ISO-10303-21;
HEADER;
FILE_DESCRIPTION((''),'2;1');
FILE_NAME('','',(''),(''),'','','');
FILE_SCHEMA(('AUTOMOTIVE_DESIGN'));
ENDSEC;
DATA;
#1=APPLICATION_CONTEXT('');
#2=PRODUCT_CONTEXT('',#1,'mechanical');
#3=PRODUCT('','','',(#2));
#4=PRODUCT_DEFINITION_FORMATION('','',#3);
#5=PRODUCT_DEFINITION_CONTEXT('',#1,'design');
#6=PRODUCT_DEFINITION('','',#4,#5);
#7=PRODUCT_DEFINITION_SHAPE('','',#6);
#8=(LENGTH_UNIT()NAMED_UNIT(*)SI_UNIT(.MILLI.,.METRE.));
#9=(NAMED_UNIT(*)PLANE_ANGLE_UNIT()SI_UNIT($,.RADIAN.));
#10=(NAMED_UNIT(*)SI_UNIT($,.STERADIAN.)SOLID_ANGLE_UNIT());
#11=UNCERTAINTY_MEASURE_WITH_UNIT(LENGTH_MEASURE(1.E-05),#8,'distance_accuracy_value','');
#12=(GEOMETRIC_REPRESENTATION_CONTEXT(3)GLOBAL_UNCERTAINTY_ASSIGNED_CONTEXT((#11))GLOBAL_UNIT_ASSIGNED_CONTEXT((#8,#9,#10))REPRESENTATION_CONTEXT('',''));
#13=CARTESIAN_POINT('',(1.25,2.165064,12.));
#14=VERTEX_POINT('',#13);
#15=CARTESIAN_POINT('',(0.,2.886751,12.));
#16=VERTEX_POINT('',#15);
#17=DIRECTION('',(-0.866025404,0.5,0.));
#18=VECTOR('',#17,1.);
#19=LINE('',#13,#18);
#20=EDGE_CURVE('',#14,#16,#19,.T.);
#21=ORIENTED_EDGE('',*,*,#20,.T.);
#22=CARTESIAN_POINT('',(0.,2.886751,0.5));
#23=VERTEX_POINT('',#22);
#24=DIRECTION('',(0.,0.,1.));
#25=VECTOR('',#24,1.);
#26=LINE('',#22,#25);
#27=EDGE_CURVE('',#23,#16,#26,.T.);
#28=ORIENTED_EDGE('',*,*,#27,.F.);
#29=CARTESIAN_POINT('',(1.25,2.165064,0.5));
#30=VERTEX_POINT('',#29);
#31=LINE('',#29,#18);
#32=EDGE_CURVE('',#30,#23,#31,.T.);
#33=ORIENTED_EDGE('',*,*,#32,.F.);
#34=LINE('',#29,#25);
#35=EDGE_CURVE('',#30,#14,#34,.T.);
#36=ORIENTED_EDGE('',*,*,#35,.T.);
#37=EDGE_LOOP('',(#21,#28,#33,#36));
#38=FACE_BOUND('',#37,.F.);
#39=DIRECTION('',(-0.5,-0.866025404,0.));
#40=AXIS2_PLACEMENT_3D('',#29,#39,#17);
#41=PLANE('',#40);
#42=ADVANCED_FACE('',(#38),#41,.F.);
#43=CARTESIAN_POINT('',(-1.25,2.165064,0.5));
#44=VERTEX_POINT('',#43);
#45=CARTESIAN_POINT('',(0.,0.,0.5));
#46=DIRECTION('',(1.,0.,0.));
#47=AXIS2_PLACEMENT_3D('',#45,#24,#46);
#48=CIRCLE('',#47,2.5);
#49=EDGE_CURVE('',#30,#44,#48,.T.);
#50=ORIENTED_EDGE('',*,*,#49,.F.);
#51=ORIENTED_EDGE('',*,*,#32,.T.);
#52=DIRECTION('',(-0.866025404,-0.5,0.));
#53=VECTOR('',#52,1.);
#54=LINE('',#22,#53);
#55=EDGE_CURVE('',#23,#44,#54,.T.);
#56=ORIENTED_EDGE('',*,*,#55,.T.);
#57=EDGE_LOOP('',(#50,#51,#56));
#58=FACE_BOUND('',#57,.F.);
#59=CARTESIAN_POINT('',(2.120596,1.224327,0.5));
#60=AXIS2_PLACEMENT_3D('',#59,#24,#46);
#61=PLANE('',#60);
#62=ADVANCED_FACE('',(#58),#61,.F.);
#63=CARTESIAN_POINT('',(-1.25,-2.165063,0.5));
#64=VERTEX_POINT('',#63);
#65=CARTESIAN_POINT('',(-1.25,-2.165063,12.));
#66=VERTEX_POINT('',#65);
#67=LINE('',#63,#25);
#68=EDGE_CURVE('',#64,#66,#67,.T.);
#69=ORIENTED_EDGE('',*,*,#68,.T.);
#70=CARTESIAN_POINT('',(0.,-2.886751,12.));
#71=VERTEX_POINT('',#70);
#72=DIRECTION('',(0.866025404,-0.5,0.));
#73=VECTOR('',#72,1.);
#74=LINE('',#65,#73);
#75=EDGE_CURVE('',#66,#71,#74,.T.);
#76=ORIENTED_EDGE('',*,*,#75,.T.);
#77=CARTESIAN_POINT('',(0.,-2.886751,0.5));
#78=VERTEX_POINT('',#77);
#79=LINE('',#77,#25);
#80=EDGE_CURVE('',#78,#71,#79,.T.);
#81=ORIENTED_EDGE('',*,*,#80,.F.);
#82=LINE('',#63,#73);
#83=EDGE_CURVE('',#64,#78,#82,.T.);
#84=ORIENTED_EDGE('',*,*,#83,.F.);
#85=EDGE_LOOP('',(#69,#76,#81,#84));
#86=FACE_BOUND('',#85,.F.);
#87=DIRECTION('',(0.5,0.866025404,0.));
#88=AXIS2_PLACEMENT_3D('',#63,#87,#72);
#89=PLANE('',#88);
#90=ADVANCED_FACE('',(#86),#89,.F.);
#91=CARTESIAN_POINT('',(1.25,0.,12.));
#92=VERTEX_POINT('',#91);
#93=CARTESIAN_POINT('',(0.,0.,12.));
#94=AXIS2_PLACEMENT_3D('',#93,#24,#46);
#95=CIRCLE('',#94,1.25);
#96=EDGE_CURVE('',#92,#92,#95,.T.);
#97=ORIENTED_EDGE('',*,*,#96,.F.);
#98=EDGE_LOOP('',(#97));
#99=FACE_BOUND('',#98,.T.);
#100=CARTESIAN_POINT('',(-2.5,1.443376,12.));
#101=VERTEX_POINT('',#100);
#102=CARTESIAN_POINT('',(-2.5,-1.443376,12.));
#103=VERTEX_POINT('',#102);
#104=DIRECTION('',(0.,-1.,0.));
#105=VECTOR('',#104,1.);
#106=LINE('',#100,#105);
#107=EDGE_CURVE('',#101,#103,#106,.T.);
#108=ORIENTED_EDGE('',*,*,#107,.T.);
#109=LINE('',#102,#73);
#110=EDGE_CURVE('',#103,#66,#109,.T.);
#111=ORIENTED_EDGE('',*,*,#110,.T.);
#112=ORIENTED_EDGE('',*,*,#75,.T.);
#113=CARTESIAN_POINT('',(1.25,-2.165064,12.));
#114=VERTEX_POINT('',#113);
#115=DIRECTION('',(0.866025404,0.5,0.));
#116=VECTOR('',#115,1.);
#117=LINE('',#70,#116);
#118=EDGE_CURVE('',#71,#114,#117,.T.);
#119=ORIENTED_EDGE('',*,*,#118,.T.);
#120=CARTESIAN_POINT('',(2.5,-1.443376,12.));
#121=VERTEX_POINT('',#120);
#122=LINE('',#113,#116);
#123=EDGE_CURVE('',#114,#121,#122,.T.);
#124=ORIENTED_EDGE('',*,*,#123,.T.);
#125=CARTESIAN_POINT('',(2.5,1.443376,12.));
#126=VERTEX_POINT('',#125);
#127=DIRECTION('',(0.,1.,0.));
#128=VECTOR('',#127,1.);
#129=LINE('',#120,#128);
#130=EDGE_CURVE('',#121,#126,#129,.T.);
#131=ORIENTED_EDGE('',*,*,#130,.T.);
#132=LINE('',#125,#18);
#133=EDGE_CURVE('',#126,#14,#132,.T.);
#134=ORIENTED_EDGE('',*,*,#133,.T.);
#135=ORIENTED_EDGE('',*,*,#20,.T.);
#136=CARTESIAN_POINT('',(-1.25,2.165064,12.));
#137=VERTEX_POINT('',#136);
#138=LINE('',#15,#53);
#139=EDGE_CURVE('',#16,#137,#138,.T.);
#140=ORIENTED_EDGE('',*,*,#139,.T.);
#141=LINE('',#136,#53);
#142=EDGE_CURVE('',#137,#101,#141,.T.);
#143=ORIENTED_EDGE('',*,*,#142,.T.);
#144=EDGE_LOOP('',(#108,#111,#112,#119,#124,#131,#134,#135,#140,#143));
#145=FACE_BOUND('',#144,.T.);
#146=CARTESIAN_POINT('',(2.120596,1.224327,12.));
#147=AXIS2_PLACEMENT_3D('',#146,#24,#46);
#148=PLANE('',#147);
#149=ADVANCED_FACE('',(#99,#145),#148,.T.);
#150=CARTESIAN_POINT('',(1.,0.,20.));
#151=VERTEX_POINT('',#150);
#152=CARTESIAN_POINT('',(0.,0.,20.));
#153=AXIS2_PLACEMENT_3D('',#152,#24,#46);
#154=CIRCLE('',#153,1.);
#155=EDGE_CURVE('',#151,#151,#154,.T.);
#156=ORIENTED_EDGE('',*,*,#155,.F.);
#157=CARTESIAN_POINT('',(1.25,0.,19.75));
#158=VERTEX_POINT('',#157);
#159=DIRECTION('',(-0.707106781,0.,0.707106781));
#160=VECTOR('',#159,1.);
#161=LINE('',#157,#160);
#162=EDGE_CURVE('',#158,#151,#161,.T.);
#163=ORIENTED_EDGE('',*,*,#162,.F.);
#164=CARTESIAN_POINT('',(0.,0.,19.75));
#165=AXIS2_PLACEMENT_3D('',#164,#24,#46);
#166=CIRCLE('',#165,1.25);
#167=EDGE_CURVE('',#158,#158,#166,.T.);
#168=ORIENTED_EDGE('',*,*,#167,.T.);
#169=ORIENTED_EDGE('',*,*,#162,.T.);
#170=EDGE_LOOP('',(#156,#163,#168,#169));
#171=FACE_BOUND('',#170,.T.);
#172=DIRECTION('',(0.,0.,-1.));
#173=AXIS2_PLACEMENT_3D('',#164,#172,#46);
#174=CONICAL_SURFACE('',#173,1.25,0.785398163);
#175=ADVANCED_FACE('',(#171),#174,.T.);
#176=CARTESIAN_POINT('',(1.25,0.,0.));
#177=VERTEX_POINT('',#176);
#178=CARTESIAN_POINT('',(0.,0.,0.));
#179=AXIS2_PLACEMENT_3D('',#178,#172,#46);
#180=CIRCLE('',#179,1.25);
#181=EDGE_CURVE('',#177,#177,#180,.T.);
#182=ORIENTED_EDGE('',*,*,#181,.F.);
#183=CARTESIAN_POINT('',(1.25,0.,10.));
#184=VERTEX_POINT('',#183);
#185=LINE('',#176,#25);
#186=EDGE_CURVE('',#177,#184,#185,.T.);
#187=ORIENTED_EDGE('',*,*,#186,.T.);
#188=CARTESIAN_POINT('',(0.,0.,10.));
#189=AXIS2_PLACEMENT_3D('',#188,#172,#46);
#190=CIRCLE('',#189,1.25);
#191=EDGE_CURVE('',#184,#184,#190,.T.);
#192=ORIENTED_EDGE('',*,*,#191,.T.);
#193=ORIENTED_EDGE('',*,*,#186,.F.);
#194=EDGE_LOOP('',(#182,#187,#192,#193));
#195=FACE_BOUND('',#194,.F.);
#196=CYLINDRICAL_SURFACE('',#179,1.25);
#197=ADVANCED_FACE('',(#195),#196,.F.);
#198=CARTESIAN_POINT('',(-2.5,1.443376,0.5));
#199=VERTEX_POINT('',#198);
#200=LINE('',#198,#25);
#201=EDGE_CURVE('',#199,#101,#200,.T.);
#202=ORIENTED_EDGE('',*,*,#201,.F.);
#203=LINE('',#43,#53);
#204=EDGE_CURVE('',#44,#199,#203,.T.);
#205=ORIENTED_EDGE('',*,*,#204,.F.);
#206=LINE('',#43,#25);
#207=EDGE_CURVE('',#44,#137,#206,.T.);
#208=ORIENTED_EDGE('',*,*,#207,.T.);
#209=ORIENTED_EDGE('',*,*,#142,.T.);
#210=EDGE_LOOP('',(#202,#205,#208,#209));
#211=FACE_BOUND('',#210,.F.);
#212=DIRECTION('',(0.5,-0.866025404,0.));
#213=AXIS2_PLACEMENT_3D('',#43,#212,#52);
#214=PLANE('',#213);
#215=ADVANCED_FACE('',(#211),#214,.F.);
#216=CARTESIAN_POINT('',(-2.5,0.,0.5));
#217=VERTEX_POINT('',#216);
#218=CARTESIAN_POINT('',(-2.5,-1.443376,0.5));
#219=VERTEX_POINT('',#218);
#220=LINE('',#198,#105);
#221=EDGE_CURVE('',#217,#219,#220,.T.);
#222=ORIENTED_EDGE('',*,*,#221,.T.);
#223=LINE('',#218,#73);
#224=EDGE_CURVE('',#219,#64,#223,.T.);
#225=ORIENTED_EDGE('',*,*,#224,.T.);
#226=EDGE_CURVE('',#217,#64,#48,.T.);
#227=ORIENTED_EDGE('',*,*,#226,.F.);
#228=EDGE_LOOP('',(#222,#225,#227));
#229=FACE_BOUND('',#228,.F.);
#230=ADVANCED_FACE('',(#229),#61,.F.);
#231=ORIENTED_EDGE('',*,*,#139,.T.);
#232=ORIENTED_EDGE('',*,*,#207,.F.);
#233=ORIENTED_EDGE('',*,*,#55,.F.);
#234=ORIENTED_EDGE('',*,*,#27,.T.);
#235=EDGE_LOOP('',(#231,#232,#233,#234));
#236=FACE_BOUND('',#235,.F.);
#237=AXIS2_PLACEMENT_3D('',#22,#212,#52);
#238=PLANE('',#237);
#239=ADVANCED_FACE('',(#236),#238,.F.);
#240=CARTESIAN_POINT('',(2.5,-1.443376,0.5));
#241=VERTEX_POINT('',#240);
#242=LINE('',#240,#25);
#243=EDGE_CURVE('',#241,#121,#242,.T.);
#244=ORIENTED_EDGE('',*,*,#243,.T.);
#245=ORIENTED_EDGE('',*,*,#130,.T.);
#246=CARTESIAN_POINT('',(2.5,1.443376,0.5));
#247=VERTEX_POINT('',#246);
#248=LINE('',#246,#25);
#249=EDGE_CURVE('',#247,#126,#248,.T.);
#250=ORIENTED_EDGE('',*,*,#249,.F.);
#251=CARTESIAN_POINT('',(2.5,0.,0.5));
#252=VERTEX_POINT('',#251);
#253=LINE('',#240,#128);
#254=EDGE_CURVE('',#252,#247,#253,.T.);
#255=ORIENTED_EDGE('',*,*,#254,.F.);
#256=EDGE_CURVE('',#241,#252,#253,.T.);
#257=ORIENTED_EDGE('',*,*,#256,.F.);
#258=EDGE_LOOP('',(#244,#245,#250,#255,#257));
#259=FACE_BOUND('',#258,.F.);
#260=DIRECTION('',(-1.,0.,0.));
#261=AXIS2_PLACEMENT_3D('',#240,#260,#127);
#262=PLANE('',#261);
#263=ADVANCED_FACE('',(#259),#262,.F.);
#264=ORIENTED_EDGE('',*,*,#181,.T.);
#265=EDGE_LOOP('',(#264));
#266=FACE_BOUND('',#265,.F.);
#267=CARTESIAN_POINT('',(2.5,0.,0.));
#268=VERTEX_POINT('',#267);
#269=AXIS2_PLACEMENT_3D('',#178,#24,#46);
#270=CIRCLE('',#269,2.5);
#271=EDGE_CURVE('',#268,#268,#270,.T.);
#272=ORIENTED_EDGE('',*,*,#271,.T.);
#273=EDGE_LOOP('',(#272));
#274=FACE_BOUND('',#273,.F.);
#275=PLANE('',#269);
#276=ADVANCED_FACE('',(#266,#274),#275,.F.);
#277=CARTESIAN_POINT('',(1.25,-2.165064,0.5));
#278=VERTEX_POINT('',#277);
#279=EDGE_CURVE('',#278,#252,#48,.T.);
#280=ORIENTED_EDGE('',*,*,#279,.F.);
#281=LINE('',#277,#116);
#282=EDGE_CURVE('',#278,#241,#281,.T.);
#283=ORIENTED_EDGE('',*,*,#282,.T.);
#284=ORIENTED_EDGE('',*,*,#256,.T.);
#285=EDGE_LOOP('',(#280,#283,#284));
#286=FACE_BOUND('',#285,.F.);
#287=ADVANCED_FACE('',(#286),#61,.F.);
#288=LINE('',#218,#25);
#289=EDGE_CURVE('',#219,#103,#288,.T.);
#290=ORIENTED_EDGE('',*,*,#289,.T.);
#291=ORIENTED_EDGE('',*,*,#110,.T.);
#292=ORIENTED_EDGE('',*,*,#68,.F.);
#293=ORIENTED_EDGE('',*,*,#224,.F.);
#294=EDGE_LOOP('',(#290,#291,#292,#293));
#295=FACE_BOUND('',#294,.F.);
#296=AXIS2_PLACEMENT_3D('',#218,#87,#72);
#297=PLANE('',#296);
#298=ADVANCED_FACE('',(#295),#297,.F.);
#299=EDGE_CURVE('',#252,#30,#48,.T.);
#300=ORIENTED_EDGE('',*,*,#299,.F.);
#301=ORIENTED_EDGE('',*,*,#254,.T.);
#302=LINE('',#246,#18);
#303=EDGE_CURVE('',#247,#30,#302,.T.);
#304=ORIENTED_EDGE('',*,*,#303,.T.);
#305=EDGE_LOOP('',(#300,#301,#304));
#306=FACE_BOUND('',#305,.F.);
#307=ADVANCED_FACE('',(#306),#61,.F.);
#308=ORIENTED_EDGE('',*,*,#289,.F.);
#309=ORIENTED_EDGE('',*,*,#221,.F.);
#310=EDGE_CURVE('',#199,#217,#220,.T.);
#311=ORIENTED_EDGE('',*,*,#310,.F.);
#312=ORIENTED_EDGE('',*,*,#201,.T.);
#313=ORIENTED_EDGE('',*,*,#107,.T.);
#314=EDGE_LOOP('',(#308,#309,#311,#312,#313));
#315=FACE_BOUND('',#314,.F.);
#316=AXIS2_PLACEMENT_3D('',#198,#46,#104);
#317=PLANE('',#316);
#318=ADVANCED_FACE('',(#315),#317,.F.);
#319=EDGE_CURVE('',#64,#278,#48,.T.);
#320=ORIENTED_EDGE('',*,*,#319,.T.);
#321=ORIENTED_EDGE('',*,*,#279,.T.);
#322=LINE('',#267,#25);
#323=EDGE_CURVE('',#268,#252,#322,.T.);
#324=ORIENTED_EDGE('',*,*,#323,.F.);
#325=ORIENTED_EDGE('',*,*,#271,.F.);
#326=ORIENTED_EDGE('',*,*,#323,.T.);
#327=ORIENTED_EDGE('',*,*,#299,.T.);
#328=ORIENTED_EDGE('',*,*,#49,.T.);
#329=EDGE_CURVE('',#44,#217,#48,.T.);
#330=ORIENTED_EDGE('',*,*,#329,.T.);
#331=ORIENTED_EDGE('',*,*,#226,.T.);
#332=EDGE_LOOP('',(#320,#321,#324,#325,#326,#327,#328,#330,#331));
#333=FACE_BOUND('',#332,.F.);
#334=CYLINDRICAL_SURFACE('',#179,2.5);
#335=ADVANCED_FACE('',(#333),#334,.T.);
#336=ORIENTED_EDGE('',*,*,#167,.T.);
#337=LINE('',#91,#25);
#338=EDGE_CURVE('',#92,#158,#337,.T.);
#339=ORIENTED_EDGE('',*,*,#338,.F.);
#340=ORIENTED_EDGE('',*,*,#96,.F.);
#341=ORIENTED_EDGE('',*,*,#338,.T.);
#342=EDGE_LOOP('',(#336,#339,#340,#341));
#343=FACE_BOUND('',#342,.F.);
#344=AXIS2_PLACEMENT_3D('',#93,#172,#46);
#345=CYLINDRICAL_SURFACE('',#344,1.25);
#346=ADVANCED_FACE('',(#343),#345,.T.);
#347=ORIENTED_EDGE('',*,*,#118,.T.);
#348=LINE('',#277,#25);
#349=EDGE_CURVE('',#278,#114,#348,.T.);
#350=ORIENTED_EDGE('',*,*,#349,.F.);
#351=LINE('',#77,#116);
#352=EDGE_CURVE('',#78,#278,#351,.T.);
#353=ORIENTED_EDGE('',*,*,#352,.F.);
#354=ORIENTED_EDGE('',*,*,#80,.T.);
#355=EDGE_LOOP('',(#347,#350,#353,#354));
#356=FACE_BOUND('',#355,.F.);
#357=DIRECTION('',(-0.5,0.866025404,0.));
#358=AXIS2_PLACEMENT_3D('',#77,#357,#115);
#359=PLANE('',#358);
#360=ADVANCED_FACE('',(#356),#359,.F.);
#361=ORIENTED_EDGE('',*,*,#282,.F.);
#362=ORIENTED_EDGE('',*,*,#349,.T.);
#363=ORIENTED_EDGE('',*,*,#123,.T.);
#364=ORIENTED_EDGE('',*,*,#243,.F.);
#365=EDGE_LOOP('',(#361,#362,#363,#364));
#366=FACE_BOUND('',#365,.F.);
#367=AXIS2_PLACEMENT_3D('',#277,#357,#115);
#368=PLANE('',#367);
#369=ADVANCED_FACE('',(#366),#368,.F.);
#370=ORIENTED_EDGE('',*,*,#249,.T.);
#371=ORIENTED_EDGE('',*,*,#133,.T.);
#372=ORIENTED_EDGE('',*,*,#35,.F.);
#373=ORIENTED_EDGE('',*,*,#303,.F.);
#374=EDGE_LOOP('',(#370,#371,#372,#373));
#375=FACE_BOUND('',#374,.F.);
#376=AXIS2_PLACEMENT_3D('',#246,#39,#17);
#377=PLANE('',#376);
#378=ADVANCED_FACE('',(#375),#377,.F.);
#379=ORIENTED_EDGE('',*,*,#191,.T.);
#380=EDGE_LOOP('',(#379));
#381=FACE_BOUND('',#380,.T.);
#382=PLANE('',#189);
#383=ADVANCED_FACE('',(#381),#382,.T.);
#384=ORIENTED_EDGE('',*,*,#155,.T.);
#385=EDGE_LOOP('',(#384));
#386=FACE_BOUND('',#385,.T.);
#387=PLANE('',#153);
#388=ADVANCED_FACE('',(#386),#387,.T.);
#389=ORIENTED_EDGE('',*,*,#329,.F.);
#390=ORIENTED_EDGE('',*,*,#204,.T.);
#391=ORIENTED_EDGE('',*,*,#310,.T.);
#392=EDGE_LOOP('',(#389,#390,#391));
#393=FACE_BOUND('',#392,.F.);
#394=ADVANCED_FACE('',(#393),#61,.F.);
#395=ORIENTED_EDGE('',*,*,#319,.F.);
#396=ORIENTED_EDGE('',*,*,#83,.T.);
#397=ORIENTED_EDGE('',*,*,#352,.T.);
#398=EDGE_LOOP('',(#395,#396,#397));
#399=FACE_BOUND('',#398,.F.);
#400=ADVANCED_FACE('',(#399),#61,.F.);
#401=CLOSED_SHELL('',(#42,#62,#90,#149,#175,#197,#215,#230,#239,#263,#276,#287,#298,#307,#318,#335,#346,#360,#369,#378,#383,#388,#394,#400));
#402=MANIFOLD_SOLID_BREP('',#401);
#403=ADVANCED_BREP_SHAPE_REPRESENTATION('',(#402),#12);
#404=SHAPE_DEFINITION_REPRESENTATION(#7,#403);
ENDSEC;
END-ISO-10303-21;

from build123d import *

# Parameters (mm, degrees)
F0_R     = 2.5
F1_DEPTH = 0.5
F3_DEPTH = 11.5
F4_R     = 1.25
F5_DEPTH = 8
F6_SIZE  = 0.25
F7_R     = 1.25
F8_DEPTH = 10


with BuildPart() as f1:
    # F0 (on Top) → F1 (new body)
    with BuildSketch(Plane.XY):
        Circle(F0_R)
    extrude(amount=F1_DEPTH)

    # F2 (on face) → F3 (join)
    with BuildSketch(Plane.XY.offset(0.5)):
        with BuildLine():
            Line((2.5, 0), (2.5, 1.443375673))
            Line((2.5, 1.443375673), (1.2500000021, 2.1650635082))
            ThreePointArc((1.2500000021, 2.1650635082), (2.1650635101, 1.2499999989), (2.5, 0))
        make_face()
        with BuildLine():
            Line((2.5, -1.443375673), (2.5, 0))
            ThreePointArc((2.5, 0), (2.1650635101, -1.2499999989), (1.2500000021, -2.1650635082))
            Line((1.2500000021, -2.1650635082), (2.5, -1.443375673))
        make_face()
        with BuildLine():
            Line((0, -2.8867513459), (1.2500000021, -2.1650635082))
            ThreePointArc((1.2500000021, -2.1650635082), (-1.35e-08, -2.5), (-1.2500000255, -2.1650634947))
            Line((-1.2500000255, -2.1650634947), (0, -2.8867513459))
        make_face()
        with BuildLine():
            Line((-2.5, -1.443375673), (-1.2500000255, -2.1650634947))
            ThreePointArc((-1.2500000255, -2.1650634947), (-2.1650635168, -1.2499999872), (-2.5, 0))
            Line((-2.5, 0), (-2.5, -1.443375673))
        make_face()
        with BuildLine():
            ThreePointArc((-2.5, 0), (-2.1650634924, 1.2500000296), (-1.2499999408, 2.1650635436))
            Line((-1.2499999408, 2.1650635436), (-2.5, 1.443375673))
            Line((-2.5, 1.443375673), (-2.5, 0))
        make_face()
        with BuildLine():
            ThreePointArc((1.2500000021, -2.1650635082), (2.1650635101, -1.2499999989), (2.5, 0))
            ThreePointArc((2.5, 0), (2.1650635101, 1.2499999989), (1.2500000021, 2.1650635082))
            ThreePointArc((1.2500000021, 2.1650635082), (3.54e-08, 2.5), (-1.2499999408, 2.1650635436))
            ThreePointArc((-1.2499999408, 2.1650635436), (-2.1650634924, 1.2500000296), (-2.5, 0))
            ThreePointArc((-2.5, 0), (-2.1650635168, -1.2499999872), (-1.2500000255, -2.1650634947))
            ThreePointArc((-1.2500000255, -2.1650634947), (-1.35e-08, -2.5), (1.2500000021, -2.1650635082))
        make_face()
        with BuildLine():
            ThreePointArc((-1.2499999408, 2.1650635436), (3.54e-08, 2.5), (1.2500000021, 2.1650635082))
            Line((1.2500000021, 2.1650635082), (0, 2.8867513459))
            Line((0, 2.8867513459), (-1.2499999408, 2.1650635436))
        make_face()
    extrude(amount=F3_DEPTH)

    # F4 (on face) → F5 (join)
    with BuildSketch(Plane.XY.offset(12)):
        Circle(F4_R)
    extrude(amount=F5_DEPTH)

    # F6
    f6_edges = [f1.edges().sort_by_distance(p)[0] for p in [
        (-1.25, 0, 20),
    ]]
    chamfer(f6_edges, length=F6_SIZE)

    # F7 (on face) → F8 (cut)
    with BuildSketch(Plane(origin=(0, 0, 0), x_dir=(1, 0, 0), z_dir=(0, 0, -1))):
        Circle(F7_R)
    extrude(amount=-F8_DEPTH, mode=Mode.SUBTRACT)


solid = f1.part
